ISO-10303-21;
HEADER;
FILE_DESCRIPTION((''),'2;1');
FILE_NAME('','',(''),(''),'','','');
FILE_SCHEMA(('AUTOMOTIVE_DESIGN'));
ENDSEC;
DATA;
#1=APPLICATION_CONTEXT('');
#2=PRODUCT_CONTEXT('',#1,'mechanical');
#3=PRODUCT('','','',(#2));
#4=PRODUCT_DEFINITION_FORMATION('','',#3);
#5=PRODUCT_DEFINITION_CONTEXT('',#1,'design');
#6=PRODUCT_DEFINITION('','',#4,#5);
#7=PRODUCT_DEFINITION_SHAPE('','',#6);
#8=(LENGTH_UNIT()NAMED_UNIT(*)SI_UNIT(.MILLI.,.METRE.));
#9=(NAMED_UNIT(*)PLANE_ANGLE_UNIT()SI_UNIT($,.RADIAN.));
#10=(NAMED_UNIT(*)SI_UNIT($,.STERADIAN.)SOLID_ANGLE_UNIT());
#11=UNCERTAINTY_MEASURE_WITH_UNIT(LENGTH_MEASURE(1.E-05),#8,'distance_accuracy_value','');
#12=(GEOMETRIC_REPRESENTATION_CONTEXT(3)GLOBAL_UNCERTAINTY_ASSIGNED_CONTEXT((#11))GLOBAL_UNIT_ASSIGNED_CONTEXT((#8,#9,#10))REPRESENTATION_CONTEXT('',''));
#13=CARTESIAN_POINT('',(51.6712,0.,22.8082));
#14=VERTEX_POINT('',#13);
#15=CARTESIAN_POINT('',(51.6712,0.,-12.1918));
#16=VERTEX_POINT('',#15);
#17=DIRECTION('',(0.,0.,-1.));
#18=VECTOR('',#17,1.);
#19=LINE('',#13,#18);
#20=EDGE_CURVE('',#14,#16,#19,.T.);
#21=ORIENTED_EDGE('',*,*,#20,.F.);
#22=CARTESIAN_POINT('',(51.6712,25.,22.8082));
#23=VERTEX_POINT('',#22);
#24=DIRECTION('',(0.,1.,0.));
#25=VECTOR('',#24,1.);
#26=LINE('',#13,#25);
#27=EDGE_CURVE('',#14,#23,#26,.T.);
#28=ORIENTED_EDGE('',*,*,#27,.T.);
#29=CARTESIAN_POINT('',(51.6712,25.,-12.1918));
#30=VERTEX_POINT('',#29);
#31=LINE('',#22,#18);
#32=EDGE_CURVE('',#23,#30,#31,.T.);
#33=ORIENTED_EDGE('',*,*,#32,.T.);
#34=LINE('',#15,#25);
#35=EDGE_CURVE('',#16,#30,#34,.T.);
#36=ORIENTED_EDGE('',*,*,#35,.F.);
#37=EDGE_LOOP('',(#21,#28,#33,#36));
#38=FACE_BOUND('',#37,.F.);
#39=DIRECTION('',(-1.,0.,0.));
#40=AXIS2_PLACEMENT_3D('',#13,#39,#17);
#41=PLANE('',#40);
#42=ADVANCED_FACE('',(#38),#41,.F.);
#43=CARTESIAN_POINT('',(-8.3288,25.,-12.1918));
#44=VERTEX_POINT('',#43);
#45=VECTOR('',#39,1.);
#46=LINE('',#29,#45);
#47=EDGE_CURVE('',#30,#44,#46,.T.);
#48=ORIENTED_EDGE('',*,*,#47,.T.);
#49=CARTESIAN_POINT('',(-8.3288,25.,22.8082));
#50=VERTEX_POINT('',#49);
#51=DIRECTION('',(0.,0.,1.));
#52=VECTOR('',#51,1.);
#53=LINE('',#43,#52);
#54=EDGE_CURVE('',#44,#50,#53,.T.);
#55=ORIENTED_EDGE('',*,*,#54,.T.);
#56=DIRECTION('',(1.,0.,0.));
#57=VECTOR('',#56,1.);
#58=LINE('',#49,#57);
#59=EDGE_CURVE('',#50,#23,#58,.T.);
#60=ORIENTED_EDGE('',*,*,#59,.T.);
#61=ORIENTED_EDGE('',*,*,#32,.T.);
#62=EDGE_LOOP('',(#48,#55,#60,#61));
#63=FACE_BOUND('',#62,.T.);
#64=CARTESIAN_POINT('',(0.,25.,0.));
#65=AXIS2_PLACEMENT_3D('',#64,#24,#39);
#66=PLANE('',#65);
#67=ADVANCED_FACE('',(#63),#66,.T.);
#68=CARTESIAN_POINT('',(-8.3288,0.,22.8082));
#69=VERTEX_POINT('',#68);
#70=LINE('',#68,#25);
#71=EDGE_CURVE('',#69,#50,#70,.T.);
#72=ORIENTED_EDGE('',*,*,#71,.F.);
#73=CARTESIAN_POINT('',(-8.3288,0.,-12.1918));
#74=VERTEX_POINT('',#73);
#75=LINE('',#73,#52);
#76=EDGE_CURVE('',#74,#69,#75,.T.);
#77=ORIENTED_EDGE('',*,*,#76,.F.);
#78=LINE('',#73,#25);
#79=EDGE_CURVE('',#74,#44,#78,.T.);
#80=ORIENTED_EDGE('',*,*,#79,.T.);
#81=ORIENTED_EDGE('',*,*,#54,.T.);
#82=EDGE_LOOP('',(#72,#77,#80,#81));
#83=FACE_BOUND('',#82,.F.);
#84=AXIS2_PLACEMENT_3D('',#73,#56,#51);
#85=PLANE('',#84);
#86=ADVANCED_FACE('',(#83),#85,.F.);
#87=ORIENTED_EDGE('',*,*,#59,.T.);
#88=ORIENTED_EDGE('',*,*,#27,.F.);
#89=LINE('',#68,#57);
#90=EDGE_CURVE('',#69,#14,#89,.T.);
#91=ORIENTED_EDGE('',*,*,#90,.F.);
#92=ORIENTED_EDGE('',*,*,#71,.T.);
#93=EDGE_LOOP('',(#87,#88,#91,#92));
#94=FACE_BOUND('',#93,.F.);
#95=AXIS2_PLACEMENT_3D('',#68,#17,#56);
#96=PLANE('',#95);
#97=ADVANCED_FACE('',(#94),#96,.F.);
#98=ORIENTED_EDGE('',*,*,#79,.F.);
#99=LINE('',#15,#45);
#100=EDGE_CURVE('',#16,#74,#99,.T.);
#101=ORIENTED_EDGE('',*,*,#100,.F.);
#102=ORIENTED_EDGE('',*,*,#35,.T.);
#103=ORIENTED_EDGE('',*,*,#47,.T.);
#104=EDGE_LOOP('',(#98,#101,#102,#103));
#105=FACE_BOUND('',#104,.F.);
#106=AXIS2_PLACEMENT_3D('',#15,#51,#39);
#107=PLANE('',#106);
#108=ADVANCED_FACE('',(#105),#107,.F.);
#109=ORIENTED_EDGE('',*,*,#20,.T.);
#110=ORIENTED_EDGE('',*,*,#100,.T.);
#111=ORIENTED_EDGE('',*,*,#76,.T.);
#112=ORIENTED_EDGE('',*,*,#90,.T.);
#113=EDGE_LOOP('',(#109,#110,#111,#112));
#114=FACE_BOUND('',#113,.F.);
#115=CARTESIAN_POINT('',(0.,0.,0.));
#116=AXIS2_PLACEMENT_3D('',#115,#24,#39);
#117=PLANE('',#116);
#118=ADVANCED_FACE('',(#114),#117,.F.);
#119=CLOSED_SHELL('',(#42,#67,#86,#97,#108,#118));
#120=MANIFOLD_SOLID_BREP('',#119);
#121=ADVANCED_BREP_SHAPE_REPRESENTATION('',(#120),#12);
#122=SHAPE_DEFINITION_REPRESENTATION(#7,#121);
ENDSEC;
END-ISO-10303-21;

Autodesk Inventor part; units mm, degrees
ref_plane "YZ Plane" through (0, 0, 0) normal (1, 0, 0) x (0, 1, 0)
ref_plane "XZ Plane" through (0, 0, 0) normal (0, 1, 0) x (-1, 0, 0)
ref_plane "XY Plane" through (0, 0, 0) normal (0, 0, 1) x (1, 0, 0)
sketch "Skizze1" plane through (0, 0, 0) normal (0, 1, 0) x (-1, 0, 0)
  line L0 (8.3288, 22.8082) -> (-51.6712, 22.8082)
  line L1 (-51.6712, 22.8082) -> (-51.6712, -12.1918)
  line L2 (-51.6712, -12.1918) -> (8.3288, -12.1918)
  line L3 (8.3288, -12.1918) -> (8.3288, 22.8082)
  point P0 (0, 0)
  dimension "d0" = 60
  dimension "d1" = 35
extrude "Extrusion1" add sketch "Skizze1" along normal blind 25
properties part number "9V-Blockbaterie"
